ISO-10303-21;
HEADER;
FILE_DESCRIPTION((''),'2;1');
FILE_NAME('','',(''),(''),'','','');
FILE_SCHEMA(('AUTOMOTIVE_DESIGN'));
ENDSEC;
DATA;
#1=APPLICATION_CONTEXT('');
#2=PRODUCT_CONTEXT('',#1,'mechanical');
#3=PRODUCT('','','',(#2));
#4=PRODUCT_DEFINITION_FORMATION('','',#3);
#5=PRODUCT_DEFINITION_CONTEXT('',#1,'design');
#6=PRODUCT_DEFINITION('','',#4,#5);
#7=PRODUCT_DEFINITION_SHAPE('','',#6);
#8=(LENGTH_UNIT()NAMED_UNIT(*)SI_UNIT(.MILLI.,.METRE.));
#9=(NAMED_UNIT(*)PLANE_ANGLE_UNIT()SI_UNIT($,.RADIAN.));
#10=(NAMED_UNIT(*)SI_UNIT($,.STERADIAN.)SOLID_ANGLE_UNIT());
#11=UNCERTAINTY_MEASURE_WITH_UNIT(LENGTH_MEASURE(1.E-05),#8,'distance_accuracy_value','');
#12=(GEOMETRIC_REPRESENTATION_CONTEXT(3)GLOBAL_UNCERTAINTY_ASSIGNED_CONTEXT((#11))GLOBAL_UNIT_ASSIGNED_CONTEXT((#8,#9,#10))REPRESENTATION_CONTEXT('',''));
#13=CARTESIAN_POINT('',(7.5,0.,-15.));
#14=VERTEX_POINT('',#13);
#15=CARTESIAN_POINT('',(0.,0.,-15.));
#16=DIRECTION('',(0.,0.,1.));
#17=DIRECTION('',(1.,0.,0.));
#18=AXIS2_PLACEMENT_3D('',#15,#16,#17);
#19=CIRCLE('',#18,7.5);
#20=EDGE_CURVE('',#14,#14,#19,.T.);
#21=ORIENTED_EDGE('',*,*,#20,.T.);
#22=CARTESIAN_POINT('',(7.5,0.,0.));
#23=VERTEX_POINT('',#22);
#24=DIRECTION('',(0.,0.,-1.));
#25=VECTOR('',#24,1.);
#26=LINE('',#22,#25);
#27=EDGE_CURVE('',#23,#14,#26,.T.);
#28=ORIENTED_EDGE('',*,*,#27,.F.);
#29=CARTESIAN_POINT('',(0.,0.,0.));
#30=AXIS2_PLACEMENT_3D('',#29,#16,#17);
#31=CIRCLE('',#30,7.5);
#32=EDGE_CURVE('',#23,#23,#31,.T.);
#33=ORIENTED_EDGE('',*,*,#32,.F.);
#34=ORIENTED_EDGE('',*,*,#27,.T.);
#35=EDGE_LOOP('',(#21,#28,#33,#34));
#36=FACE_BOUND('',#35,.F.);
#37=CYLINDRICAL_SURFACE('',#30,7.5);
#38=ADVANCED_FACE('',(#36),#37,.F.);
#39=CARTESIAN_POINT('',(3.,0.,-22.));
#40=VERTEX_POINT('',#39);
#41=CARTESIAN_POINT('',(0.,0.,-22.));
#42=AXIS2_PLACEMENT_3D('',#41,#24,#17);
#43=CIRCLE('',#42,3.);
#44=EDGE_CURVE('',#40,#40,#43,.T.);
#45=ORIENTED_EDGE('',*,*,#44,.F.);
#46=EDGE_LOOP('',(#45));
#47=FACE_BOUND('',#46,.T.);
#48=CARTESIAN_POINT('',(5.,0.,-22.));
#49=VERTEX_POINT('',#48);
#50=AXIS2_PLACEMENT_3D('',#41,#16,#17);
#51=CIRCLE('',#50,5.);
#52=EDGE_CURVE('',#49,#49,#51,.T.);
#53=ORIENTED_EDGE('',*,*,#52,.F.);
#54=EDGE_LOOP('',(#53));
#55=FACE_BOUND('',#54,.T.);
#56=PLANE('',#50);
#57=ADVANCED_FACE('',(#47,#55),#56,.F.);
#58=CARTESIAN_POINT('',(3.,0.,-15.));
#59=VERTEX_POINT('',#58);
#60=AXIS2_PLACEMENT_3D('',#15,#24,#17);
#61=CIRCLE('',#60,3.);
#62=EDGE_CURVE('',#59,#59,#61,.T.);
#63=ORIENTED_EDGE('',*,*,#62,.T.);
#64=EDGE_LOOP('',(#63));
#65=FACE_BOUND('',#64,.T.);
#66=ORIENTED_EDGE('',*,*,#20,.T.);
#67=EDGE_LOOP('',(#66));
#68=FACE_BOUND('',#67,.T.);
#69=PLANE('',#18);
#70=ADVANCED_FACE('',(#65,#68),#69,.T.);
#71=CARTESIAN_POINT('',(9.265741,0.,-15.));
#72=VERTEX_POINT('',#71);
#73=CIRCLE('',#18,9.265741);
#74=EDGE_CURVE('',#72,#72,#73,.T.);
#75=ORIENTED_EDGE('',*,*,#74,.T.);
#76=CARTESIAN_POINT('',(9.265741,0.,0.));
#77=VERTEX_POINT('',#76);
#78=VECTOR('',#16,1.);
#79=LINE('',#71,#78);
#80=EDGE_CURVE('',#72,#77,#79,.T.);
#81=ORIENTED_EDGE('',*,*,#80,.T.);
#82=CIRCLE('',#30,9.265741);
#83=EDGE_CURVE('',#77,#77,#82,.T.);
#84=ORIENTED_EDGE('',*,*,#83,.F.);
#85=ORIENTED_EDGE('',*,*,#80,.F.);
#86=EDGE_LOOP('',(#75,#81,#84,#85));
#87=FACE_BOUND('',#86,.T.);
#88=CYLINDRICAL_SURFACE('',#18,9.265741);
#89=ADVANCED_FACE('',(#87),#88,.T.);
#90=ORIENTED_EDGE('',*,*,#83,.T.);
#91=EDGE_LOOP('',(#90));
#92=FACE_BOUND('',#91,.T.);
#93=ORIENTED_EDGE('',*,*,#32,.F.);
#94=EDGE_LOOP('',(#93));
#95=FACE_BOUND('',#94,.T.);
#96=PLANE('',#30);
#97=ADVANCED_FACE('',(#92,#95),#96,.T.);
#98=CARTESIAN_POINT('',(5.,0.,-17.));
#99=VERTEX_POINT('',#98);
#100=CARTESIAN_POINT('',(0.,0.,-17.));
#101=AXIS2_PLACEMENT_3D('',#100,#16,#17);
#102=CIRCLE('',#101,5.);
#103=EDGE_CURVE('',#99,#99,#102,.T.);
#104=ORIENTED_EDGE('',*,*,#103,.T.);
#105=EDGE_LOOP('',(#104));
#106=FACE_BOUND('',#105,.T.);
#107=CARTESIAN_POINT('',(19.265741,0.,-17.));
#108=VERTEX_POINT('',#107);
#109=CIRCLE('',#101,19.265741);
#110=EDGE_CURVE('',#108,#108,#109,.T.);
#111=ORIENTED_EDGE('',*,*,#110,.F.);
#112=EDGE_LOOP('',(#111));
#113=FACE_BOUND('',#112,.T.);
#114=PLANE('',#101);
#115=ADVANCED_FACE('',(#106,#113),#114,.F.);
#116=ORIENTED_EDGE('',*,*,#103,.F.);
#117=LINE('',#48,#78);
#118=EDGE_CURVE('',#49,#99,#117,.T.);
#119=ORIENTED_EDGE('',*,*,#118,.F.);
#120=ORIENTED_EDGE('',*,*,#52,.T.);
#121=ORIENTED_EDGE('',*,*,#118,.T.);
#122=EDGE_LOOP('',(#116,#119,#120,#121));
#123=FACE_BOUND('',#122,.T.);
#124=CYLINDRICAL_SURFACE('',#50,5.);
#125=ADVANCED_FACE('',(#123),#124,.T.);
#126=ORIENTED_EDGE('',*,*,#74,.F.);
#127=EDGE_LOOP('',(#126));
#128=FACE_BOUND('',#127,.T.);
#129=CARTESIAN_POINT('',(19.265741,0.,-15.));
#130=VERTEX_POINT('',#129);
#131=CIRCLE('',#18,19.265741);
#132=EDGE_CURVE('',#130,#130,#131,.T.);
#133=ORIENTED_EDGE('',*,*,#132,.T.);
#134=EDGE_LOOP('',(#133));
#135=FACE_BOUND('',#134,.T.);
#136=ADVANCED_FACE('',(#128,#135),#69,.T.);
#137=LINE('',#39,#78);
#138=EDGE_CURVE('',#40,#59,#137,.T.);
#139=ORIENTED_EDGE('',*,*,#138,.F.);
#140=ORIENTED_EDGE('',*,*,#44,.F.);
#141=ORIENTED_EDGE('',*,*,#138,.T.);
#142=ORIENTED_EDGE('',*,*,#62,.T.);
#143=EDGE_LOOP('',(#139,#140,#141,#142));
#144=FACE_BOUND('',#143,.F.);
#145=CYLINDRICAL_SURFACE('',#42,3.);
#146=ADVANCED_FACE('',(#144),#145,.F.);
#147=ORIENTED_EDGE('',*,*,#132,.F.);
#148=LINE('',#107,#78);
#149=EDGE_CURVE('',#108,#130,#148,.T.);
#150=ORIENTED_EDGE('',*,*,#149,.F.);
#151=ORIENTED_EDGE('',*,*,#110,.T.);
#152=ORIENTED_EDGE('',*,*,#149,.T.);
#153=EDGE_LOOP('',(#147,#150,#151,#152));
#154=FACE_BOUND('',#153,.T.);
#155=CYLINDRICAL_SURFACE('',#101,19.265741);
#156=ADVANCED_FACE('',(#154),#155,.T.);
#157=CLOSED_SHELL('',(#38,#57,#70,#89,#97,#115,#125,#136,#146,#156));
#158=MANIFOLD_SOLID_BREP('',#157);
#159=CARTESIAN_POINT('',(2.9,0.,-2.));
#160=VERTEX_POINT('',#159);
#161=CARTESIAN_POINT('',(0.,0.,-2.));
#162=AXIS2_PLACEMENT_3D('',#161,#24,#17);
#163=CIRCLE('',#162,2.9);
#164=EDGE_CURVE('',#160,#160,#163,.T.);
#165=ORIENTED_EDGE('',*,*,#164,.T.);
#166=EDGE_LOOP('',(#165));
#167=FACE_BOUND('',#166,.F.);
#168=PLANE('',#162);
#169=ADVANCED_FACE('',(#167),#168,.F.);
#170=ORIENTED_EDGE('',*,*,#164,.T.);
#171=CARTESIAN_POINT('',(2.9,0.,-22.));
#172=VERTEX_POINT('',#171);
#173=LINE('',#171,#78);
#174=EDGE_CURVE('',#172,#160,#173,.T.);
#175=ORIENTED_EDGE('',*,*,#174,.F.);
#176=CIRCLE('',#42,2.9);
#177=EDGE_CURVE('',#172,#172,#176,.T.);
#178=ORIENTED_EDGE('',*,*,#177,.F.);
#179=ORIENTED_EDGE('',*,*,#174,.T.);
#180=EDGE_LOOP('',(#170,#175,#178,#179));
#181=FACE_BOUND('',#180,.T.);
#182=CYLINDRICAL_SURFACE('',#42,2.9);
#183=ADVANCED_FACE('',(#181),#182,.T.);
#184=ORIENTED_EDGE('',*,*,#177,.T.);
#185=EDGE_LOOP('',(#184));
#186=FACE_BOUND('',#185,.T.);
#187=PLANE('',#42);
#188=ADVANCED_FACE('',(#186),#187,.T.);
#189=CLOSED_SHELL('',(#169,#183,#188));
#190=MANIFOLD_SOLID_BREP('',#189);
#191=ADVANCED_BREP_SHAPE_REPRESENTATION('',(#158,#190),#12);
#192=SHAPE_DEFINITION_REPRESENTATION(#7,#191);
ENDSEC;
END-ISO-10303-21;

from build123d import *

# Parameters (mm, degrees)
F2_R     = 7.5
F3_DEPTH = 15
F4_R     = 3
F5_DEPTH = 22.001
F6_R     = 2.9
F7_DEPTH = 20


with BuildPart() as f1:
    # F0 (on Front) → F1 (revolve)
    with BuildSketch(Plane.XZ):
        Polygon((9.265741, 0), (0, 0), (0, -22), (5, -22), (5, -17), (9.265741, -17), (19.265741, -17), (19.265741, -15), (9.265741, -15), align=None)
    revolve(axis=Axis((0, 0, -11), (0, 0, 1)))

    # F2 (on face) → F3 (cut, through all)
    with BuildSketch(Plane.XY):
        Circle(F2_R)
    extrude(amount=-F3_DEPTH, mode=Mode.SUBTRACT)

    # F4 (on face) → F5 (cut, through all)
    with BuildSketch(Plane(origin=(0, 0, -22), x_dir=(1, 0, 0), z_dir=(0, 0, -1))):
        Circle(F4_R)
    extrude(amount=-F5_DEPTH, mode=Mode.SUBTRACT)


with BuildPart() as f7:
    # F6 (on face) → F7 (new body)
    with BuildSketch(Plane(origin=(0, 0, -22), x_dir=(1, 0, 0), z_dir=(0, 0, -1))):
        Circle(F6_R)
    extrude(amount=-F7_DEPTH)


solid = Compound([f1.part, f7.part])
